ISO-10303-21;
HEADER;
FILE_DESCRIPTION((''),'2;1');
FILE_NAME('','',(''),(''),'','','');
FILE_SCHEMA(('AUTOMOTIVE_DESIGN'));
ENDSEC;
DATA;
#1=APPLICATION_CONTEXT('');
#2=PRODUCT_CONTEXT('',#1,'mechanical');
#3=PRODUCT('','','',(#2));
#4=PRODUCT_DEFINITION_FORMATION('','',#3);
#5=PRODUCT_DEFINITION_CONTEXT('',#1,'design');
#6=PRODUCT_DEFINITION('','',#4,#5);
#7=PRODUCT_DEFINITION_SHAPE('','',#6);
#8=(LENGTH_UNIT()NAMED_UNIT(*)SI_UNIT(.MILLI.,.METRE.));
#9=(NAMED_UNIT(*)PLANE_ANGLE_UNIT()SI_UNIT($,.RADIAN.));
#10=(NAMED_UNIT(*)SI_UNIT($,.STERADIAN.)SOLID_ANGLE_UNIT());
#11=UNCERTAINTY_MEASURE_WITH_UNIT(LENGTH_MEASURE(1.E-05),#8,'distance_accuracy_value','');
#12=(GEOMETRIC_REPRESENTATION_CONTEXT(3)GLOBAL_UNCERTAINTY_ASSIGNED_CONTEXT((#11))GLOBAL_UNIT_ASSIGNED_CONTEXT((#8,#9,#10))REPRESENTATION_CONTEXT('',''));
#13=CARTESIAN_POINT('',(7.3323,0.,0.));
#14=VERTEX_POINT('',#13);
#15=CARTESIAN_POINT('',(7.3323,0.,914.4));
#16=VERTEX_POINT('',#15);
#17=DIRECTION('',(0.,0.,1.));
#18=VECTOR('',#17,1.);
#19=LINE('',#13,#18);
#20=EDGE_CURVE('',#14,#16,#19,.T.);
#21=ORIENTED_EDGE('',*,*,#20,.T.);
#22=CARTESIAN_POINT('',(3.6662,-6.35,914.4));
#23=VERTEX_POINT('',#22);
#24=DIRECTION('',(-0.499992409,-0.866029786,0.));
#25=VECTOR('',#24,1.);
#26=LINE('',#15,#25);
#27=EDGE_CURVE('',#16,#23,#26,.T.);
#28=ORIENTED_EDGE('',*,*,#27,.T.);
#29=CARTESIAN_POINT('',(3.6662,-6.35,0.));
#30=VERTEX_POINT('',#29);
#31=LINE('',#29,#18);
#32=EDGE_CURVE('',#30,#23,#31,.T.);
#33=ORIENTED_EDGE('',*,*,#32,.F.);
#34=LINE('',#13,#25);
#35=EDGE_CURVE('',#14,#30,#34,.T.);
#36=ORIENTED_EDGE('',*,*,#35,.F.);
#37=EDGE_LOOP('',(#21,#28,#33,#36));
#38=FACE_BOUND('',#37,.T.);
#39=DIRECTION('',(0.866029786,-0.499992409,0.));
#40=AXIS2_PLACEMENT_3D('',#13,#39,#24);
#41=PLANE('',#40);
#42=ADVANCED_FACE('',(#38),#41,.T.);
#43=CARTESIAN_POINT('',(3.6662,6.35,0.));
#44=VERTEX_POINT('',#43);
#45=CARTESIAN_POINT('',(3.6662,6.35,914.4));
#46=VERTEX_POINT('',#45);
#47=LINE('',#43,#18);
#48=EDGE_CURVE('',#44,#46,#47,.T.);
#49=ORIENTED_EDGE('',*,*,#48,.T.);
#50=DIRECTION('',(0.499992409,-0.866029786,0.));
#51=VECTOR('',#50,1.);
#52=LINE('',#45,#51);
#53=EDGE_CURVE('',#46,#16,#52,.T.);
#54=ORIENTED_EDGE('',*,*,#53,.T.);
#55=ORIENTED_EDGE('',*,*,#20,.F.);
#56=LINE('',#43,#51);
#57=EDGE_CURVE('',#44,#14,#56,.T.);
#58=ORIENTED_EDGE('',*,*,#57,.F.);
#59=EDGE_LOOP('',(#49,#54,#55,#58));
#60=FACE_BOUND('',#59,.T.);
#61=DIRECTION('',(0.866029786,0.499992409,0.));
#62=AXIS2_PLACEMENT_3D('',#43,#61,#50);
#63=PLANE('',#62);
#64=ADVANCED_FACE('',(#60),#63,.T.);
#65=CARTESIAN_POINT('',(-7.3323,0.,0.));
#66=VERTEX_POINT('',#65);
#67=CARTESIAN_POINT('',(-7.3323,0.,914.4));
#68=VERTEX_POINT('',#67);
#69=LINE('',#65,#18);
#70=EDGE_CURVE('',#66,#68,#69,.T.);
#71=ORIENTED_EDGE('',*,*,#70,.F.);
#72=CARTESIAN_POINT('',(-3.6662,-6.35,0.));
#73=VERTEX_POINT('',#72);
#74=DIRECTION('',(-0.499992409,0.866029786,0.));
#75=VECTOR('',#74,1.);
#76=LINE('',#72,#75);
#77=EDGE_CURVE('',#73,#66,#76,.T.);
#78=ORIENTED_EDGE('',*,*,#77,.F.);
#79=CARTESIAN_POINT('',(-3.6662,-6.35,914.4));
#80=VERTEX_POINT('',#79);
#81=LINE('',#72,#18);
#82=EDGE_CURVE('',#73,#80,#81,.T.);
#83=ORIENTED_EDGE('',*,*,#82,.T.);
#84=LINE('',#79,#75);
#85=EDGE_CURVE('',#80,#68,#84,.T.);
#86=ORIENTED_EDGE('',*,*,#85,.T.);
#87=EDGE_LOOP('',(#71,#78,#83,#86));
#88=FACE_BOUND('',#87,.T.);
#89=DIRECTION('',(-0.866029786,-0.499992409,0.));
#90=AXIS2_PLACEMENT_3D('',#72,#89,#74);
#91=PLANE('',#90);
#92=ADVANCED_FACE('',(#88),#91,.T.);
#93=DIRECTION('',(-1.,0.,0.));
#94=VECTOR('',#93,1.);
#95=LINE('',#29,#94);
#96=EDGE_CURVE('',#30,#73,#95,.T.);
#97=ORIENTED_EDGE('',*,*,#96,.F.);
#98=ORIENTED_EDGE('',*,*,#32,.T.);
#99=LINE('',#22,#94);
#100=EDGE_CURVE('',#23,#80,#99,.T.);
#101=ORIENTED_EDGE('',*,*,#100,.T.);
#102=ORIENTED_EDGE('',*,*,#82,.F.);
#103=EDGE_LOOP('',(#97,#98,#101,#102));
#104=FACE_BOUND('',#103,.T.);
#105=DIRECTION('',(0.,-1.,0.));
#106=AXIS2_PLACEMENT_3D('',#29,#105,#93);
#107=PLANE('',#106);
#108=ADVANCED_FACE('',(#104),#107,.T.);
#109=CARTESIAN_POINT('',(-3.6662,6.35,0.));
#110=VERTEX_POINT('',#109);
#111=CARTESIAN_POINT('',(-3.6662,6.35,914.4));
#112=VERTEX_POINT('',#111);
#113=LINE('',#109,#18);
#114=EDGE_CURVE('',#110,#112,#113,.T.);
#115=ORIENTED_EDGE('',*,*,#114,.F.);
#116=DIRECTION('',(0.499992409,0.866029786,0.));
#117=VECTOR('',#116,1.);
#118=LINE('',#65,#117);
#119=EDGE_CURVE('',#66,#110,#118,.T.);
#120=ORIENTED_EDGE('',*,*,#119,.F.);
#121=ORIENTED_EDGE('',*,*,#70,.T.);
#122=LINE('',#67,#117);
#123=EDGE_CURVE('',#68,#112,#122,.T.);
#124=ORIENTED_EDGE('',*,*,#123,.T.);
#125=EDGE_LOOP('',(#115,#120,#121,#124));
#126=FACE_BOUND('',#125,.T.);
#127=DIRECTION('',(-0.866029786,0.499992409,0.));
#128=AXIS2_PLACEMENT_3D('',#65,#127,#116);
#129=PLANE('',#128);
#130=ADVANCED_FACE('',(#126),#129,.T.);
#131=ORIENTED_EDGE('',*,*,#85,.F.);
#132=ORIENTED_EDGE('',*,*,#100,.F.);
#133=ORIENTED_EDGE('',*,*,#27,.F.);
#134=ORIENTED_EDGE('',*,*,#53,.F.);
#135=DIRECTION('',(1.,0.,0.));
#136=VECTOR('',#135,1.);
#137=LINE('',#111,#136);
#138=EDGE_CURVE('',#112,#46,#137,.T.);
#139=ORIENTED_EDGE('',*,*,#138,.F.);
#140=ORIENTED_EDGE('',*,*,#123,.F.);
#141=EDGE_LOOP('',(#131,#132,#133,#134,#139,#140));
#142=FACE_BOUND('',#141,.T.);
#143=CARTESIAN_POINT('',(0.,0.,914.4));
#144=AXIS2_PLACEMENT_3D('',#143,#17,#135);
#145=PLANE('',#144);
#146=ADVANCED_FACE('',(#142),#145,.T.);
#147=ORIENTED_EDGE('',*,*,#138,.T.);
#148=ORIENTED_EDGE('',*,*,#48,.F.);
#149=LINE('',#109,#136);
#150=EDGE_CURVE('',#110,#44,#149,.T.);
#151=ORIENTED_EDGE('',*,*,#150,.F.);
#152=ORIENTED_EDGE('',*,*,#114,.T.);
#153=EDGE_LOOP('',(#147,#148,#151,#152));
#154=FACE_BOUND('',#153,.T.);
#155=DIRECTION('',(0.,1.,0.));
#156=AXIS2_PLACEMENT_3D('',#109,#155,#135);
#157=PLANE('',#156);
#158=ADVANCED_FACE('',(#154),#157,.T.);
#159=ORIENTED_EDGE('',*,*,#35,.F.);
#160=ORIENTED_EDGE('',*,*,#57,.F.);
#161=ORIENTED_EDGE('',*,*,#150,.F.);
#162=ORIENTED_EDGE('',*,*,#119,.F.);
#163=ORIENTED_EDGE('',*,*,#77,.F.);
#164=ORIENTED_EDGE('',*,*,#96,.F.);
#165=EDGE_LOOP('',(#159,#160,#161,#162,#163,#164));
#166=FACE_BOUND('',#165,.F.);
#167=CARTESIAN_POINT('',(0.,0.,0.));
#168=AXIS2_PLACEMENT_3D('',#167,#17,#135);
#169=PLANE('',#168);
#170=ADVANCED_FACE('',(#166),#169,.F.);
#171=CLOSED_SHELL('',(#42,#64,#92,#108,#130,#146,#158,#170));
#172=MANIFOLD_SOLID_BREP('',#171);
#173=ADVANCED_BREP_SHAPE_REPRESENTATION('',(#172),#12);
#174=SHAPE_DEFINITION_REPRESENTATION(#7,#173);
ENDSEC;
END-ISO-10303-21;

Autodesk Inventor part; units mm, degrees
ref_plane "YZ Plane" through (0, 0, 0) normal (1, 0, 0) x (0, 1, 0)
ref_plane "XZ Plane" through (0, 0, 0) normal (0, 1, 0) x (-1, 0, 0)
ref_plane "XY Plane" through (0, 0, 0) normal (0, 0, 1) x (1, 0, 0)
sketch "Sketch1" plane through (0, 0, 0) normal (0, 0, 1) x (1, 0, 0)
  line L0 (3.6662, 6.35) -> (7.3323, 0)
  line L1 (7.3323, 0) -> (3.6662, -6.35)
  line L2 (3.6662, -6.35) -> (-3.6662, -6.35)
  line L3 (-3.6662, -6.35) -> (-7.3323, 0)
  line L4 (-7.3323, 0) -> (-3.6662, 6.35)
  line L5 (-3.6662, 6.35) -> (3.6662, 6.35)
  point P0 (0, 0)
  point P1 (0, 0)
  dimension "d0" = 12.7
extrude "Extrusion1" add sketch "Sketch1" along normal blind 914.4
properties part number "hex rod 36 inch" material "Steel, Alloy"
